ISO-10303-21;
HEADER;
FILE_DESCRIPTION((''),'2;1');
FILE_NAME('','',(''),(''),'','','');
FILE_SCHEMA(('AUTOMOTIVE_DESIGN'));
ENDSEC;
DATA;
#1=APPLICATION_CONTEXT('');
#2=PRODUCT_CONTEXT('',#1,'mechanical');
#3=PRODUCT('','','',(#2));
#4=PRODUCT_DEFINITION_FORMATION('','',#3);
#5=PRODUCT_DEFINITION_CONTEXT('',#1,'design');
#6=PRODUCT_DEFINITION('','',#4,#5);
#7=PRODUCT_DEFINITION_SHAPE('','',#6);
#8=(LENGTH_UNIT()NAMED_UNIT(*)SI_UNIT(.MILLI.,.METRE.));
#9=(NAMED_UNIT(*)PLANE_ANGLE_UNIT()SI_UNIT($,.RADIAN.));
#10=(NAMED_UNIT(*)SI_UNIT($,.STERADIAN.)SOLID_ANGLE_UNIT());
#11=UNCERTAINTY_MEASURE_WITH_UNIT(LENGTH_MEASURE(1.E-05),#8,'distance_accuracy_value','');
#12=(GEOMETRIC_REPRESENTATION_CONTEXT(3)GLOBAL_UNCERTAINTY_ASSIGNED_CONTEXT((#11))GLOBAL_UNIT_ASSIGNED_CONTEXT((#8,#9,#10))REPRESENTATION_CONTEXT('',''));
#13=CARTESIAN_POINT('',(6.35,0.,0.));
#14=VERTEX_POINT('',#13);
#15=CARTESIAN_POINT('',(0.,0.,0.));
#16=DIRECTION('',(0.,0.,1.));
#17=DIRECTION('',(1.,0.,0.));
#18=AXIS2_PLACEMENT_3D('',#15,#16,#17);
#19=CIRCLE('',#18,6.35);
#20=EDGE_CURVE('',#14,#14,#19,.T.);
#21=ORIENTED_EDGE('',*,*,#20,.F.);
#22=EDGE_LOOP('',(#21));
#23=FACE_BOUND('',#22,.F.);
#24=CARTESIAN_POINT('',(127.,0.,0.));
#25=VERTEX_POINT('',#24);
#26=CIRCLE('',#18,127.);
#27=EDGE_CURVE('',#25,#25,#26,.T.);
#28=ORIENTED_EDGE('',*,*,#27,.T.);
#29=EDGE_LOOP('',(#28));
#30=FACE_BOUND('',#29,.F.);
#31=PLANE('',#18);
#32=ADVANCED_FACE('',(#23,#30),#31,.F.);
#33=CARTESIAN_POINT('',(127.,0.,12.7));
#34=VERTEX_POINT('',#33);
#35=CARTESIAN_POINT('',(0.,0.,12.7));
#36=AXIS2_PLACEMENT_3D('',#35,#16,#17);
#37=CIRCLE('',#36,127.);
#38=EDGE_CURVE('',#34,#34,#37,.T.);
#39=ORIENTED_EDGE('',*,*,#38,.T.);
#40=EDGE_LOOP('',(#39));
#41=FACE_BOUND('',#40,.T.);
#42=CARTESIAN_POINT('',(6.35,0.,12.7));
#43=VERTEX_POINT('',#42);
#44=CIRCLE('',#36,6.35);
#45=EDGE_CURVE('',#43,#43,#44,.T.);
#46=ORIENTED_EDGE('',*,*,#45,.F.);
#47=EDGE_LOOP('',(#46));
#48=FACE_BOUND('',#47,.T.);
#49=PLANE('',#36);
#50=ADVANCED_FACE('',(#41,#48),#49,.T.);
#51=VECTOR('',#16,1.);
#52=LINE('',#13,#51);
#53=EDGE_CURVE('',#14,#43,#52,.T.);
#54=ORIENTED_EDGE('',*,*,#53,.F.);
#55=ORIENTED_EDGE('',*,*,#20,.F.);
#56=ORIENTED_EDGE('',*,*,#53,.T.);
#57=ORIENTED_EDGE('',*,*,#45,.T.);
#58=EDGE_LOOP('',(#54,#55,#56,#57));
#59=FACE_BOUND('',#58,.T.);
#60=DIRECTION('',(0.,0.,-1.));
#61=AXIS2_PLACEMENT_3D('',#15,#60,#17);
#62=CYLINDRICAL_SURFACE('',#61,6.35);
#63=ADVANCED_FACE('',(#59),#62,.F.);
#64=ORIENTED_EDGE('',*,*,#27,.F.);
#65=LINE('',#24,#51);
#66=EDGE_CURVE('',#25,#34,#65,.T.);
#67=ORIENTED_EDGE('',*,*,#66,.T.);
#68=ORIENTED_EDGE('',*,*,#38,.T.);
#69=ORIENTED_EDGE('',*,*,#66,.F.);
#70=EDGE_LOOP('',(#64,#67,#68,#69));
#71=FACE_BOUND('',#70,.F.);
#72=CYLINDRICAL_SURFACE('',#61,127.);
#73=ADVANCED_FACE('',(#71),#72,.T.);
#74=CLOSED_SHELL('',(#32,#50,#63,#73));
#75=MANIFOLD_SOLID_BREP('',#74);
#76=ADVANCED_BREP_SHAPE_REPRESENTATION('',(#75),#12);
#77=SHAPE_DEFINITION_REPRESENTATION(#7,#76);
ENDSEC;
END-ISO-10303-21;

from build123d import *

# Parameters (mm, degrees)
SKETCH_R   = 127
SKETCH_R_2 = 6.35
PAD_DEPTH  = 12.7


with BuildPart() as part:
    # Sketch → Pad (new body)
    with BuildSketch(Plane.XY):
        Circle(SKETCH_R)
        Circle(SKETCH_R_2, mode=Mode.SUBTRACT)
    extrude(amount=PAD_DEPTH)


solid = part.part
